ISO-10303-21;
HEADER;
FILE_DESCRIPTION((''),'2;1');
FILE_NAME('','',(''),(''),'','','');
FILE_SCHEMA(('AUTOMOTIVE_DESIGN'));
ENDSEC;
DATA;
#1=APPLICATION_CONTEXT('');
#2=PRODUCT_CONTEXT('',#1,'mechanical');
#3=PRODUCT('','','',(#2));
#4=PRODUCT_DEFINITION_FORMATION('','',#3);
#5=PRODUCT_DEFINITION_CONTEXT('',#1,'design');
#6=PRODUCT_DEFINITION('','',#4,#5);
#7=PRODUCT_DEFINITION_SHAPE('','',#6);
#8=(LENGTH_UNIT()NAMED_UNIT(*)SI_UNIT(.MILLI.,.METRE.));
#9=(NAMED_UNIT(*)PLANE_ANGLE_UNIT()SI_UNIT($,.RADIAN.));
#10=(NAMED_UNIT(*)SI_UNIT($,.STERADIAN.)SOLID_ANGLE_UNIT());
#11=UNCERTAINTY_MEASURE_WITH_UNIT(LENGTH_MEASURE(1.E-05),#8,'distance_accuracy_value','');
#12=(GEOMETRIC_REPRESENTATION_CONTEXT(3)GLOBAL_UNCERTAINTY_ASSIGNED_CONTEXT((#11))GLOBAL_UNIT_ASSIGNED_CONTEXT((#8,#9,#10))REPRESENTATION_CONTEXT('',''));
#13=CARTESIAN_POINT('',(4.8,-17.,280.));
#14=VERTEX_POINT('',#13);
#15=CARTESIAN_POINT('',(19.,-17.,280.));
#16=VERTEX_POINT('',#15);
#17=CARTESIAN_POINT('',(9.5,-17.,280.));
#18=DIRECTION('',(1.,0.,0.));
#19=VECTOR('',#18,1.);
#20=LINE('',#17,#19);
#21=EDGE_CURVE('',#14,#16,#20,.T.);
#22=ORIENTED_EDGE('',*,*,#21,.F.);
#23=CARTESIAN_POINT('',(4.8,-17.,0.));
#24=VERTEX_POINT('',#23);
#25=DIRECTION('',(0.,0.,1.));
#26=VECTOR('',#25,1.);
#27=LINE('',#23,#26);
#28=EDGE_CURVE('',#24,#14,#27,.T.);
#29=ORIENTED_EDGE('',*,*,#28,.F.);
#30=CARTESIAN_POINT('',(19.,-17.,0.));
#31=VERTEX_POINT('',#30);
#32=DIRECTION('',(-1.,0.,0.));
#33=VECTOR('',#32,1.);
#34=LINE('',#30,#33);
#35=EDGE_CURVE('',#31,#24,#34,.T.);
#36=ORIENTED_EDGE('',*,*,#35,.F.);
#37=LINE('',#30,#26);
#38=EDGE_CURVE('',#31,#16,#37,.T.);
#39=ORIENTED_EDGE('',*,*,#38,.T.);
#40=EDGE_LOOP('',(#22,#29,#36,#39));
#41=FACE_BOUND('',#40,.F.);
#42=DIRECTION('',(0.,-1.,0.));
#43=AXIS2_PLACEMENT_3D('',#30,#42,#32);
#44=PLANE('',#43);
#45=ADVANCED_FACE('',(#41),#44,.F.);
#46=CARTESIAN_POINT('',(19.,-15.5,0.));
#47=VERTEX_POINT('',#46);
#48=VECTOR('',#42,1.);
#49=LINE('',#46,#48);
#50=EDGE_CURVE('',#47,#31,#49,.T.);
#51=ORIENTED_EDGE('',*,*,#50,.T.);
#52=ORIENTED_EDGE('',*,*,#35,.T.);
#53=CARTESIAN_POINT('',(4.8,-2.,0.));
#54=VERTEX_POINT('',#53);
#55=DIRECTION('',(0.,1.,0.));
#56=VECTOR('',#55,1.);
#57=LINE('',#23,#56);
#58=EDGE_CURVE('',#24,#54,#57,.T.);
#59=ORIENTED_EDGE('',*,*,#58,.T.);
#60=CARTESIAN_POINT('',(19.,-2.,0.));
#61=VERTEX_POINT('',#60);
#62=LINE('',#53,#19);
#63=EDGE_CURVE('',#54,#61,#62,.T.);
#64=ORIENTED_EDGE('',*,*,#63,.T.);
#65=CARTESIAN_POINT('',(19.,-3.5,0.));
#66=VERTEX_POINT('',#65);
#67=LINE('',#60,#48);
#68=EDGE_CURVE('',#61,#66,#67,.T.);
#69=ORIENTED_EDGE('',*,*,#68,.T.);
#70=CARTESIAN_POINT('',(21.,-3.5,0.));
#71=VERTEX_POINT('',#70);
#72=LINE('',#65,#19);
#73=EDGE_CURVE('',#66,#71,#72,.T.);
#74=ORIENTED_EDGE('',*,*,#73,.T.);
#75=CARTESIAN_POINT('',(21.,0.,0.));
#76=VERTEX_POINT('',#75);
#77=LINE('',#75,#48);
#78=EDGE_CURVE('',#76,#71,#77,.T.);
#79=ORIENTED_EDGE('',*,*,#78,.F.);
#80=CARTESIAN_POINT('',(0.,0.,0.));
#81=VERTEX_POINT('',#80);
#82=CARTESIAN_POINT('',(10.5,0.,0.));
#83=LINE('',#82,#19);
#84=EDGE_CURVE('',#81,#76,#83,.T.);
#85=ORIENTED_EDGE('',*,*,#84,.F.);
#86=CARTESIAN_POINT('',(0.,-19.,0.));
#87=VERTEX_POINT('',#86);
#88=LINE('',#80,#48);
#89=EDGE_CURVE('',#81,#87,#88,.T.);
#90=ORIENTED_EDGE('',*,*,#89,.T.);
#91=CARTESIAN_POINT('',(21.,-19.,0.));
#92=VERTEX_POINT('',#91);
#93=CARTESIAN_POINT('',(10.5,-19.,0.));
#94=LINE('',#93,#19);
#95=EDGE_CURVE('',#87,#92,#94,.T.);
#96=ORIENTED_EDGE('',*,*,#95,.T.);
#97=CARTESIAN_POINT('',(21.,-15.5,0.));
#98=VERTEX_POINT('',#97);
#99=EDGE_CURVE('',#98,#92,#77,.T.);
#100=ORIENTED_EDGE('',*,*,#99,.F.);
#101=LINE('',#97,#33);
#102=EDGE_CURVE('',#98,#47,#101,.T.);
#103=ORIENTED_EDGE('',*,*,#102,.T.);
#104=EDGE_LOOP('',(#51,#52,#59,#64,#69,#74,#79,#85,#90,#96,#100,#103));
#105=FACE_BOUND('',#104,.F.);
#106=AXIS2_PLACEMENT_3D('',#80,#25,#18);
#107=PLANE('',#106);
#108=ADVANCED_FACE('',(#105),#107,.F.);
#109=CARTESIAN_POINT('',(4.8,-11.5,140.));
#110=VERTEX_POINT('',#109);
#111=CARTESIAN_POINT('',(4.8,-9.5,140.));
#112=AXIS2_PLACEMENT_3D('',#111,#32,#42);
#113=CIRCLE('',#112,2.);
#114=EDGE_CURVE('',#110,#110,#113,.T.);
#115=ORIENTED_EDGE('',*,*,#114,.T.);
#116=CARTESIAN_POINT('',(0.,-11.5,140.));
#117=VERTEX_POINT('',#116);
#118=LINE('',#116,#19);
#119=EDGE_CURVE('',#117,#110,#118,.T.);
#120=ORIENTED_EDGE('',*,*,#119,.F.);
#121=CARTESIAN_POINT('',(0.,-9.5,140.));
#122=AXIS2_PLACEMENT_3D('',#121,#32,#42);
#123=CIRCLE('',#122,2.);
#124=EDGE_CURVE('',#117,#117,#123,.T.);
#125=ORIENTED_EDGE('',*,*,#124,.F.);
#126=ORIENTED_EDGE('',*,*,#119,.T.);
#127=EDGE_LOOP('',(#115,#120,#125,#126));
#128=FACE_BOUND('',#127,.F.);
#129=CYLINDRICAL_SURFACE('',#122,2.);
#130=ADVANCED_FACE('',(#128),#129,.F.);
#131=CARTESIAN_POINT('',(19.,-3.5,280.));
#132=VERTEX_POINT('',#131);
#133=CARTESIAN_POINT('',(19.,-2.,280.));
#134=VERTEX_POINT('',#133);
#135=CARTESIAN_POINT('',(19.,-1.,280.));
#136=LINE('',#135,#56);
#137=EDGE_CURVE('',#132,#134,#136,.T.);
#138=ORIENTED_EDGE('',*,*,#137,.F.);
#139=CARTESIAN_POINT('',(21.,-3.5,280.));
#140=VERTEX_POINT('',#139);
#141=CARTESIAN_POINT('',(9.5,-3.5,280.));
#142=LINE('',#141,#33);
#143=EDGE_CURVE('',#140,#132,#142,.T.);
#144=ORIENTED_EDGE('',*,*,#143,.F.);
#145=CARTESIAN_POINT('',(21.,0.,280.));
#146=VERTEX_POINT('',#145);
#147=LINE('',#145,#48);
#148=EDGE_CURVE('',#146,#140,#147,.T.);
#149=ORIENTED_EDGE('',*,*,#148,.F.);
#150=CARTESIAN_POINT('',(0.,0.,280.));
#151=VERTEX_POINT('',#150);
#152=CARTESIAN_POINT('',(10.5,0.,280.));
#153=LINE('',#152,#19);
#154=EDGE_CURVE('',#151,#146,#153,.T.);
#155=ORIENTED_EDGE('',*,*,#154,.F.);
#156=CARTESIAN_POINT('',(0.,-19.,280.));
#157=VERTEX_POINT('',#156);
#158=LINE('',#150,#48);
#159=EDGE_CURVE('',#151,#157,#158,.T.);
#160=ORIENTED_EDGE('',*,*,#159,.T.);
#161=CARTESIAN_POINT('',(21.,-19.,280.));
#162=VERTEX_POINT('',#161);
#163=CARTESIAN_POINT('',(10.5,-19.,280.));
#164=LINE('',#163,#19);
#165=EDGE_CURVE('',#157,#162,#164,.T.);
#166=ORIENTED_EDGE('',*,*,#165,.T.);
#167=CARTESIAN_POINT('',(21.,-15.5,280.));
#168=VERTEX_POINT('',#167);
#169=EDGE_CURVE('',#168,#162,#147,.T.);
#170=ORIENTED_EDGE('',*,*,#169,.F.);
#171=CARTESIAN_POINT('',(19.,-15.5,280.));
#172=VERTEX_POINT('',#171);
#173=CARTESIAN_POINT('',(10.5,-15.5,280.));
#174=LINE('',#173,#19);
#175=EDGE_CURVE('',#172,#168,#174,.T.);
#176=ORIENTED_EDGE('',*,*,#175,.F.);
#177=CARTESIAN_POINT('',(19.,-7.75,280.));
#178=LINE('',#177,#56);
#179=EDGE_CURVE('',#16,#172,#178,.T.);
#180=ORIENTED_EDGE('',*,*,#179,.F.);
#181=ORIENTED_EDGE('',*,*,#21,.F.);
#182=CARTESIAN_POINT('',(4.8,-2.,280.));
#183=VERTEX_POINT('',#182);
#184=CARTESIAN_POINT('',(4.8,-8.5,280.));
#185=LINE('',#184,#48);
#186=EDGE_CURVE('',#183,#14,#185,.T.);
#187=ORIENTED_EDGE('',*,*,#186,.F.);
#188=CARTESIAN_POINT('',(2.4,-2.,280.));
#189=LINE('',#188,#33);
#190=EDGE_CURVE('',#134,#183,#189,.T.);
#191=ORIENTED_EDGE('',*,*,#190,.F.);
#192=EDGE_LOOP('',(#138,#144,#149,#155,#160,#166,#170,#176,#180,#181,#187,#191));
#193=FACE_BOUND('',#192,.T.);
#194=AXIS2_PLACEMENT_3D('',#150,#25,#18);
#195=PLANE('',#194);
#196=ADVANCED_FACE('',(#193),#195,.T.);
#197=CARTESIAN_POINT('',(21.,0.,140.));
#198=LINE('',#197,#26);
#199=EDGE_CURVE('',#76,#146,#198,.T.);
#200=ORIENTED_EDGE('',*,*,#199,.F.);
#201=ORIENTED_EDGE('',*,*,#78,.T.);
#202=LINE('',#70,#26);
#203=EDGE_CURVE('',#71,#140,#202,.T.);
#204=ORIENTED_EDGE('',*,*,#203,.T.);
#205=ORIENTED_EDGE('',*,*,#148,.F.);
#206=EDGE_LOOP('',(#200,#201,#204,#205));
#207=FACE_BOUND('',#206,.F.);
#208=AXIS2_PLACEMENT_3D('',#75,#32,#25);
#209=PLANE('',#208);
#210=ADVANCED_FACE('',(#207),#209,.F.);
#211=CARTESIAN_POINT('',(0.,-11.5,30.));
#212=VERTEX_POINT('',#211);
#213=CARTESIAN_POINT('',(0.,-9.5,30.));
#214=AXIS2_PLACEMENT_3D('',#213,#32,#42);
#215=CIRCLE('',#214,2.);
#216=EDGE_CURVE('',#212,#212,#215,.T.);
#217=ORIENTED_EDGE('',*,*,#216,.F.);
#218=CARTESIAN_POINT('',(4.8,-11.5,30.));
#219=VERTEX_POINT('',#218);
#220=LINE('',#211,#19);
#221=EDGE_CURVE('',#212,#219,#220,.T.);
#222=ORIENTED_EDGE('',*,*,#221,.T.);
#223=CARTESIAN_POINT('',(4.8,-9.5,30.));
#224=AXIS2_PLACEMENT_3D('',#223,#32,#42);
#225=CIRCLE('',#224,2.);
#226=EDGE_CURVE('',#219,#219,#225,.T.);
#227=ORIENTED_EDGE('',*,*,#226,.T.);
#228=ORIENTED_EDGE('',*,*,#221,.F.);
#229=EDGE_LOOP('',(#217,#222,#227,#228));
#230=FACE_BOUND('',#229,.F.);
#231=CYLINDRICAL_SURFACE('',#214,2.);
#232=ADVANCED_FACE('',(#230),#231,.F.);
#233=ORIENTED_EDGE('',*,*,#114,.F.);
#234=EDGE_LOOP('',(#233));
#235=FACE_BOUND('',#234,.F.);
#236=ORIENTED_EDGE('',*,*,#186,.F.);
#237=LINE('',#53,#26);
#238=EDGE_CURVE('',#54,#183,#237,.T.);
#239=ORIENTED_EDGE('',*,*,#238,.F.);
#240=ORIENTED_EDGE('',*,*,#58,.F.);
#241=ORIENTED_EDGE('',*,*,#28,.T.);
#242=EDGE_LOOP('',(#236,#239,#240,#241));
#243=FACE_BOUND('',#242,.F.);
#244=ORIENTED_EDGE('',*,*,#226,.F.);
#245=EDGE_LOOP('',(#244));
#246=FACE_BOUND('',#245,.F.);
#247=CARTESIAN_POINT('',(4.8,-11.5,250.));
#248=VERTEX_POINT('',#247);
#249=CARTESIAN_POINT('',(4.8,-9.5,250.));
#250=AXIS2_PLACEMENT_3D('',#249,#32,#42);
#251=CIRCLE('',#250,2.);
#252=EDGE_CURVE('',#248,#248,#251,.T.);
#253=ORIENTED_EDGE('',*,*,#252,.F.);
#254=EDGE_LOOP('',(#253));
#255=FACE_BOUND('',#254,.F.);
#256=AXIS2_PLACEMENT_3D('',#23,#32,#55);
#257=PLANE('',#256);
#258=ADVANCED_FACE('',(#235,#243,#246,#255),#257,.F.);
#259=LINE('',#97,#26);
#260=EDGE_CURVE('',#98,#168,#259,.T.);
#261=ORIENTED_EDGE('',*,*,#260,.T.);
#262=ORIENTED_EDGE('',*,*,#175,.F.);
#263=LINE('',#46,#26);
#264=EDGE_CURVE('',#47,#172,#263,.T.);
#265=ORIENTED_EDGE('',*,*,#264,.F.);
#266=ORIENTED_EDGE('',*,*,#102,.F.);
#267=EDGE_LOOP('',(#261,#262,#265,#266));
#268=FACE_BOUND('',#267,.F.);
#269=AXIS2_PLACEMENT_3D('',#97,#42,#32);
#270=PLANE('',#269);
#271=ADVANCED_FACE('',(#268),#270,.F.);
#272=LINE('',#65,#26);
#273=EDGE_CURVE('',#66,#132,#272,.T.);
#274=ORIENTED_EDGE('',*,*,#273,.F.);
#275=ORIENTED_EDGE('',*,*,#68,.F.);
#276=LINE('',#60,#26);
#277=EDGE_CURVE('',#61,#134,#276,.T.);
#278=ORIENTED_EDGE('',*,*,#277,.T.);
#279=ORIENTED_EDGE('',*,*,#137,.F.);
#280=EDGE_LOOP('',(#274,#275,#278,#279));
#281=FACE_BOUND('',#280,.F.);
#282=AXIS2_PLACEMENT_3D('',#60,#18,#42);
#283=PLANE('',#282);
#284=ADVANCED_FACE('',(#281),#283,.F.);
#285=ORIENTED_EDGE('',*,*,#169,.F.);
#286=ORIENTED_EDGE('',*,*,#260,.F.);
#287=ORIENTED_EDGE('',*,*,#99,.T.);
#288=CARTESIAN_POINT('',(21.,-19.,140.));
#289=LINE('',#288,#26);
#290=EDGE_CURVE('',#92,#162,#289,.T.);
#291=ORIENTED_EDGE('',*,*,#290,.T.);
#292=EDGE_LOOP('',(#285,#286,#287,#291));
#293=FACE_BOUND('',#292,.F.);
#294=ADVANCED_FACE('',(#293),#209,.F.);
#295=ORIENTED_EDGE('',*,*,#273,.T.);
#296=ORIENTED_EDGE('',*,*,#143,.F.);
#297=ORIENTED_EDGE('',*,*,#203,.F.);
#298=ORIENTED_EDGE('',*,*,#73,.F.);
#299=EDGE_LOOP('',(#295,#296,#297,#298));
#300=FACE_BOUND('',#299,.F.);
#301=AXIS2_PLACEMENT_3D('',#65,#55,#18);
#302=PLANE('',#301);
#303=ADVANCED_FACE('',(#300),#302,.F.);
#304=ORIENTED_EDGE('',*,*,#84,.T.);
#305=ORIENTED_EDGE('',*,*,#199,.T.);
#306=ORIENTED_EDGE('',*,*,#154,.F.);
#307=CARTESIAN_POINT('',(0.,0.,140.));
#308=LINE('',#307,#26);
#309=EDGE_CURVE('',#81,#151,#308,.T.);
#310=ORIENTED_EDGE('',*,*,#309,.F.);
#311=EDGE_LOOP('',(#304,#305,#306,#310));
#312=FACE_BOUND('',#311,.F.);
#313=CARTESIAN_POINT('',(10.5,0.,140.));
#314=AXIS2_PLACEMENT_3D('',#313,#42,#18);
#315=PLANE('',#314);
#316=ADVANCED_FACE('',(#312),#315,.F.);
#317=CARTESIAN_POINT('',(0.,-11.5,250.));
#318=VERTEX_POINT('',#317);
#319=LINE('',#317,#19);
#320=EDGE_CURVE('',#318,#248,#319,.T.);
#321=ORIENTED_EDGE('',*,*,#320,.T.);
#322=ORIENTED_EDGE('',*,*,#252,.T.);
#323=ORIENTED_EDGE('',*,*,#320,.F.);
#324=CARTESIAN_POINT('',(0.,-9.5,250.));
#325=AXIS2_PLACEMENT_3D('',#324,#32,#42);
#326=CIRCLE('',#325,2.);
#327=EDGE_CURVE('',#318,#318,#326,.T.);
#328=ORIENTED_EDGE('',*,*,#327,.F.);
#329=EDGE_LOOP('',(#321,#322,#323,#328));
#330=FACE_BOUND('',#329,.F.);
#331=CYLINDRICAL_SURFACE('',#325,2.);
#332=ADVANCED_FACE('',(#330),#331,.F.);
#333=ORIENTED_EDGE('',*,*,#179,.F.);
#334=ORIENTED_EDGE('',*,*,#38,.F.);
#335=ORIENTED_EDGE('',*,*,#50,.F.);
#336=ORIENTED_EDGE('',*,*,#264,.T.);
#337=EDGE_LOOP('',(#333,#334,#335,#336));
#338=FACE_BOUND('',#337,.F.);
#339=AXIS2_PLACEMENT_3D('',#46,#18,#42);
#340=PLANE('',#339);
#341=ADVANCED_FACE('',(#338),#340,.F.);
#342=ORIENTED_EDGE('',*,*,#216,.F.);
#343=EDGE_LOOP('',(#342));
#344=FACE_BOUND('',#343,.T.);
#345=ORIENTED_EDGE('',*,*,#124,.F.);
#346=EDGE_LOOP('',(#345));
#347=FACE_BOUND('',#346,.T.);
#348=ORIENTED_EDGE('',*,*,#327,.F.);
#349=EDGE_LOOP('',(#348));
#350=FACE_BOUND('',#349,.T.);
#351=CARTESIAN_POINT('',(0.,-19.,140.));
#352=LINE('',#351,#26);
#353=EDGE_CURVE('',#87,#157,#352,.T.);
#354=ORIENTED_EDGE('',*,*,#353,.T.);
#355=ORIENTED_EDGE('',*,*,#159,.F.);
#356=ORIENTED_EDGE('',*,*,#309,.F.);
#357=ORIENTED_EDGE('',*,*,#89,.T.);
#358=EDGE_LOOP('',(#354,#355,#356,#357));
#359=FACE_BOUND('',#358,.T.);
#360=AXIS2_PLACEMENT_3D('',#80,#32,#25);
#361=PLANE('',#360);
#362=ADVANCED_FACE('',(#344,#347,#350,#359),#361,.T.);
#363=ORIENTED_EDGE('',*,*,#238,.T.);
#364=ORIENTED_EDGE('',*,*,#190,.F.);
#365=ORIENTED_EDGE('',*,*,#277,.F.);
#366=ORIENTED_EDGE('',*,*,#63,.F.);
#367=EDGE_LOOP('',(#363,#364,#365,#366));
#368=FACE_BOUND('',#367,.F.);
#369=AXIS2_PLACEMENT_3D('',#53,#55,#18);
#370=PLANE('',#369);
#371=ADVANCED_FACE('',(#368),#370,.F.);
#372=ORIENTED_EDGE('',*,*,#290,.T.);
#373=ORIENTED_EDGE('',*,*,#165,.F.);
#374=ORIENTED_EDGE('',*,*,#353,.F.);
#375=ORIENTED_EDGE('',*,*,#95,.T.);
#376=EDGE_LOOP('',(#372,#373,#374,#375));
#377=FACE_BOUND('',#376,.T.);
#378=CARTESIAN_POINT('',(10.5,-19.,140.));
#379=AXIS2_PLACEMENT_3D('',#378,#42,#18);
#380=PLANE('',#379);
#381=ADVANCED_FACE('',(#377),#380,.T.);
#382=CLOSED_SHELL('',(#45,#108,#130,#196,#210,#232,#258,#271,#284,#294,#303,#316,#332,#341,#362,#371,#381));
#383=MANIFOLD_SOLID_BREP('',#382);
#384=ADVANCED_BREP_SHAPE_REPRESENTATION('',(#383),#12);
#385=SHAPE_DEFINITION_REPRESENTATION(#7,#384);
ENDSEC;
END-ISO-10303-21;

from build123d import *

# Parameters (mm, degrees)
F0_W     = 21
F0_H     = 280
F1_DEPTH = 19
F3_DEPTH = 280.001
F4_R     = 2
F5_DEPTH = 4.8


with BuildPart() as f1:
    # F0 (on Front) → F1 (new body)
    with BuildSketch(Plane.XZ):
        with Locations((10.5, 140)):
            Rectangle(F0_W, F0_H)
    extrude(amount=F1_DEPTH)

    # F2 (on face) → F3 (cut, through all)
    with BuildSketch(Plane(origin=(0, 0, 0), x_dir=(1, 0, 0), z_dir=(0, 0, -1))):
        Polygon((19, 17), (4.8, 17), (4.8, 2), (19, 2), (19, 3.5), (21, 3.5), (21, 15.5), (19, 15.5), align=None)
    extrude(amount=-F3_DEPTH, mode=Mode.SUBTRACT)

    # F4 (on face) → F5 (cut, through all)
    with BuildSketch(Plane(origin=(0, 0, 0), x_dir=(0, -1, 0), z_dir=(-1, 0, 0))):
        with Locations((9.5, 30)):
            Circle(F4_R)
        with Locations((9.5, 140)):
            Circle(F4_R)
        with Locations((9.5, 250)):
            Circle(F4_R)
    extrude(amount=-F5_DEPTH, mode=Mode.SUBTRACT)


solid = f1.part
